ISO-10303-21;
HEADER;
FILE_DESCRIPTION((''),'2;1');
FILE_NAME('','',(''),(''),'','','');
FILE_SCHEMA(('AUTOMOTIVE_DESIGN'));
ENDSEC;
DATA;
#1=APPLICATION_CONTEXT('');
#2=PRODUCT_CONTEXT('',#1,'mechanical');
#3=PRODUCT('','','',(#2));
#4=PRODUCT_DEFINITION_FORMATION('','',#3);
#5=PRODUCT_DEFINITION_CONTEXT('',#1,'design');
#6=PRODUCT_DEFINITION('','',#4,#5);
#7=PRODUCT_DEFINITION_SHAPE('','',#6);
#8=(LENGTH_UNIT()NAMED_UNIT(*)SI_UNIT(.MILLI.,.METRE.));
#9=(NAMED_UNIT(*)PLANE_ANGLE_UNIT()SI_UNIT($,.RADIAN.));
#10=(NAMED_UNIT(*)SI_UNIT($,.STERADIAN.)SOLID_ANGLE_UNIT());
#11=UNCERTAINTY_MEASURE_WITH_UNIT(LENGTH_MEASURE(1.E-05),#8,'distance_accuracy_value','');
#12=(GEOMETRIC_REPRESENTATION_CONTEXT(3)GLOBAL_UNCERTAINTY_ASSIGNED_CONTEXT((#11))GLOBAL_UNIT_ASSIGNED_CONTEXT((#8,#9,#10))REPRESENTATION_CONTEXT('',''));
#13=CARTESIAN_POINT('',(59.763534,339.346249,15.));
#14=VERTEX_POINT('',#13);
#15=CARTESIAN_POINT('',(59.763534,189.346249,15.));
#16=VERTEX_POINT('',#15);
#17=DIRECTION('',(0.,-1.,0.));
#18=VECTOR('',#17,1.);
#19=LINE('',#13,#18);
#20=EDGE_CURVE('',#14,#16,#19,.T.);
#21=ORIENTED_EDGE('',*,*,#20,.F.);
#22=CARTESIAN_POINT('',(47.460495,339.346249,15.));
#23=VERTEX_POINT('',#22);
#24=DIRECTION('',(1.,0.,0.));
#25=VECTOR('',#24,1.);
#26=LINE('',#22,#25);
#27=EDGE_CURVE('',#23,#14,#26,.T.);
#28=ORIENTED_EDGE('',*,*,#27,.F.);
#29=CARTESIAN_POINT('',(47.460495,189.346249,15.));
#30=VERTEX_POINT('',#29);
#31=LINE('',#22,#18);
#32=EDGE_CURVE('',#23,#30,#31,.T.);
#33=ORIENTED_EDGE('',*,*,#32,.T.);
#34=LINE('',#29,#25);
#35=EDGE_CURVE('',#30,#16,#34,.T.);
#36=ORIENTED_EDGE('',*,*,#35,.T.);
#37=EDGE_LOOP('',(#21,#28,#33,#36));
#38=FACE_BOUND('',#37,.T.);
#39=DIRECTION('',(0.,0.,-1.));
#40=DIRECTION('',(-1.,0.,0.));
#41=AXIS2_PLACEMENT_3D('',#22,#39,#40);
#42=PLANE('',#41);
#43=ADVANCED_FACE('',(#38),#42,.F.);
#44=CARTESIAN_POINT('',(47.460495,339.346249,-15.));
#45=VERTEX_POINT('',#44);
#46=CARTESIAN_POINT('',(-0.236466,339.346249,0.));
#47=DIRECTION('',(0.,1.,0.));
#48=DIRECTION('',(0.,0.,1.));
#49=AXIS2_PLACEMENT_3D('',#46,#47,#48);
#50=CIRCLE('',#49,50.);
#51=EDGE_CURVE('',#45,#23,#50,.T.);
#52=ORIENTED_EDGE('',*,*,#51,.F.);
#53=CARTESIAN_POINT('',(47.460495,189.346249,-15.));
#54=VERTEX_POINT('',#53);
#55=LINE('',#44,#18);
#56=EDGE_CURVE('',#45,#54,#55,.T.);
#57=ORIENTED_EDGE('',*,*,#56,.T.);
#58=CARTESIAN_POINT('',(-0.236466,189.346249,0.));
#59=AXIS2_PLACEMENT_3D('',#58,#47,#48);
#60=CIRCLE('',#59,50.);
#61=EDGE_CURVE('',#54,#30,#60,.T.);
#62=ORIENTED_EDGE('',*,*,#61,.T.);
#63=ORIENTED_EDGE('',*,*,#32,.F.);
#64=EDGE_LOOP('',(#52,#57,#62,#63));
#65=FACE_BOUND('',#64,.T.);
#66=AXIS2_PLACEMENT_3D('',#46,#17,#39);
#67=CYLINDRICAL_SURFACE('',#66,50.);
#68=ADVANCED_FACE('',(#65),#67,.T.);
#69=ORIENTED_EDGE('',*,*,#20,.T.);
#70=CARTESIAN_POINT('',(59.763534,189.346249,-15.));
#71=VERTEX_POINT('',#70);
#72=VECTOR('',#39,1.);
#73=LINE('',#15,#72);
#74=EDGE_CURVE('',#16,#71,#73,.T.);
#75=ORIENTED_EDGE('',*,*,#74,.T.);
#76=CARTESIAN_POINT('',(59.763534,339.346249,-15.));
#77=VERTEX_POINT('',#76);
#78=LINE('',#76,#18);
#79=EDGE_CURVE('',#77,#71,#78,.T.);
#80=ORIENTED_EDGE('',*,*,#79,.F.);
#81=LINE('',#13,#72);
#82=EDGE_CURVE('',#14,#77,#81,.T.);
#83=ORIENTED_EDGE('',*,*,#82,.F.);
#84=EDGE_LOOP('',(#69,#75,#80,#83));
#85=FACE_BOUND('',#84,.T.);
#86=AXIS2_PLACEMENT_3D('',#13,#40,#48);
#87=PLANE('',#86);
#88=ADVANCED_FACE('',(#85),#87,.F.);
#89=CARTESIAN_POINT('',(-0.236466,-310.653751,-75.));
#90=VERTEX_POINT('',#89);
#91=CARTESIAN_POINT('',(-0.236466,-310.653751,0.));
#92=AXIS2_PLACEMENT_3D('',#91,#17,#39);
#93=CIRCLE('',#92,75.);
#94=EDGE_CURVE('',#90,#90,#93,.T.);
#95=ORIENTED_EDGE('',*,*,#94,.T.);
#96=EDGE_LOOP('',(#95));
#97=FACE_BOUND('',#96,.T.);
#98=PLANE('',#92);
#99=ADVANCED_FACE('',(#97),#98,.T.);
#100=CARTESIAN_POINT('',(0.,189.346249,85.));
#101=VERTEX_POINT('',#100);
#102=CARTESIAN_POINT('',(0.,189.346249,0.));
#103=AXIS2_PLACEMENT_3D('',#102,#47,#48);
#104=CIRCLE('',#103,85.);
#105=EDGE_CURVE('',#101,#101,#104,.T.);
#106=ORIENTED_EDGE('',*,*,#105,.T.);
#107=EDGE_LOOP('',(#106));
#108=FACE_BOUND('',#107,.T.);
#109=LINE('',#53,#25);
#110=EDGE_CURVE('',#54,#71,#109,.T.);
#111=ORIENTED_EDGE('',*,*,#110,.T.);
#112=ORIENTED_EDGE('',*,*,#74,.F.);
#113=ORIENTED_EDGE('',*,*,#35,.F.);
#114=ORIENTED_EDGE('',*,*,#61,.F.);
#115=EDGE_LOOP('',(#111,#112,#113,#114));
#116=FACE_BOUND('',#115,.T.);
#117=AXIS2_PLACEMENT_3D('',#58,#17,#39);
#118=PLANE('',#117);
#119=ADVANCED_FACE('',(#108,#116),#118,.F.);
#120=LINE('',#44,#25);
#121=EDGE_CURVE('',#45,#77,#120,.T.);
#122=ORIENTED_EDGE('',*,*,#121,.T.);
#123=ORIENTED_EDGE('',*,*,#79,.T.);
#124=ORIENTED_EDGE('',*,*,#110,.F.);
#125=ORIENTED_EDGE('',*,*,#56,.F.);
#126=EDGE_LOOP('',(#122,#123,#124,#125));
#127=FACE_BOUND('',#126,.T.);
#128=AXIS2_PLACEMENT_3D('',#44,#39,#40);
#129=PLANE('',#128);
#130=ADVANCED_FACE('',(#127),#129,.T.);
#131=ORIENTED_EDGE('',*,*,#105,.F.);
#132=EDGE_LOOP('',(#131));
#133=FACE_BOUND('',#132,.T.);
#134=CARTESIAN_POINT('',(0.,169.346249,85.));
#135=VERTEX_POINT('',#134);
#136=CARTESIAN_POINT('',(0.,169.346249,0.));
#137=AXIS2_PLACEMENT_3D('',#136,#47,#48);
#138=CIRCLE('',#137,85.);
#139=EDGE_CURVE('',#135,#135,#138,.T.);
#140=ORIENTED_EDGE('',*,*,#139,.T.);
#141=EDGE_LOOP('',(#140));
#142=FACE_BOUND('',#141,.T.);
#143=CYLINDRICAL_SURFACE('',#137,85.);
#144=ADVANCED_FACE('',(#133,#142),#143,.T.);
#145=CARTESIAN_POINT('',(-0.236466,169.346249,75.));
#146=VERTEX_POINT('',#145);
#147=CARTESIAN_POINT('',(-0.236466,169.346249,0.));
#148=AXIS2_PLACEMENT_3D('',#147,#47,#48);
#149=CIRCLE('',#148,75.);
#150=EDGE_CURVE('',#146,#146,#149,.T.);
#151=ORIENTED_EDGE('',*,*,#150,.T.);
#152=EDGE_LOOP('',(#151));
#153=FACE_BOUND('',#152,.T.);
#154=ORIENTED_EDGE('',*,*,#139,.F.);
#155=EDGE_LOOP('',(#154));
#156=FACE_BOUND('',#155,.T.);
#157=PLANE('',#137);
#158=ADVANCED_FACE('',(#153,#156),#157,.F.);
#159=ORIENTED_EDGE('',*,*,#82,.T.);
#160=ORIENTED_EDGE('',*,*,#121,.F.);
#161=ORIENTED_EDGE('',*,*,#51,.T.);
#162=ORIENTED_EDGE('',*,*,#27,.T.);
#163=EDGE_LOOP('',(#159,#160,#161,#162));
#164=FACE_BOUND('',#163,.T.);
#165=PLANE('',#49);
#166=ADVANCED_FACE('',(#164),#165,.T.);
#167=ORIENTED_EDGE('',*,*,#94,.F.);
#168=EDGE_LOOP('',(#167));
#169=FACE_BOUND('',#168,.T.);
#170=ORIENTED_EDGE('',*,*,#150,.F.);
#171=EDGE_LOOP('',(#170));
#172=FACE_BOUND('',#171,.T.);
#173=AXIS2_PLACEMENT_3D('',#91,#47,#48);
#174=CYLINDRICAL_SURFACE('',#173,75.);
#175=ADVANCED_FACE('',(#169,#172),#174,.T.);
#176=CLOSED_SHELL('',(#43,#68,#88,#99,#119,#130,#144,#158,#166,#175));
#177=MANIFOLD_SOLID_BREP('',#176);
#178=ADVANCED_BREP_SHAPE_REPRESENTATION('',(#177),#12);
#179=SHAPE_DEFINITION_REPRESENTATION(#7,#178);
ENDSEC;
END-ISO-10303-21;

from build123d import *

# Parameters (mm, degrees)
BOSS_EXTRUDE1_DEPTH = 15
SKETCH2_R           = 7.5
BOSS_EXTRUDE2_DEPTH = 50
SCALE1_SCALE        = 10
SKETCH3_R           = 85
BOSS_EXTRUDE3_DEPTH = 20


with BuildPart() as part:
    # Sketch1 → Boss-Extrude1 (new body)
    with BuildSketch(Plane(origin=(0, 0, 0), x_dir=(1, 0, 0), z_dir=(0, 1, 0))):
        with BuildLine():
            Line((4.769696007, -1.5), (6, -1.5))
            Line((6, -1.5), (6, 1.5))
            Line((6, 1.5), (4.769696007, 1.5))
            ThreePointArc((4.769696007, 1.5), (-5, 0), (4.769696007, -1.5))
        make_face()
    extrude(amount=BOSS_EXTRUDE1_DEPTH)

    # Sketch2 → Boss-Extrude2 (add)
    with BuildSketch(Plane.XZ):
        with Locations(Location((0, 0, 0), (0, 0, 270))):
            Circle(SKETCH2_R)
    extrude(amount=BOSS_EXTRUDE2_DEPTH)


with BuildPart() as part_1:
    # Scale1: scaled about (0.026273948, -21.038472133, 0)
    add(part.part.scale(SCALE1_SCALE).moved(Location((-0.236465532, 189.346249197, 0))))

    # Sketch3 → Boss-Extrude3 (add)
    with BuildSketch(Plane(origin=(0, 189.346249199, 0), x_dir=(1, 0, 0), z_dir=(0, 1, 0))):
        with Locations(Location((0, 0, 0), (0, 0, 270))):
            Circle(SKETCH3_R)
    extrude(amount=-BOSS_EXTRUDE3_DEPTH)


solid = part_1.part
